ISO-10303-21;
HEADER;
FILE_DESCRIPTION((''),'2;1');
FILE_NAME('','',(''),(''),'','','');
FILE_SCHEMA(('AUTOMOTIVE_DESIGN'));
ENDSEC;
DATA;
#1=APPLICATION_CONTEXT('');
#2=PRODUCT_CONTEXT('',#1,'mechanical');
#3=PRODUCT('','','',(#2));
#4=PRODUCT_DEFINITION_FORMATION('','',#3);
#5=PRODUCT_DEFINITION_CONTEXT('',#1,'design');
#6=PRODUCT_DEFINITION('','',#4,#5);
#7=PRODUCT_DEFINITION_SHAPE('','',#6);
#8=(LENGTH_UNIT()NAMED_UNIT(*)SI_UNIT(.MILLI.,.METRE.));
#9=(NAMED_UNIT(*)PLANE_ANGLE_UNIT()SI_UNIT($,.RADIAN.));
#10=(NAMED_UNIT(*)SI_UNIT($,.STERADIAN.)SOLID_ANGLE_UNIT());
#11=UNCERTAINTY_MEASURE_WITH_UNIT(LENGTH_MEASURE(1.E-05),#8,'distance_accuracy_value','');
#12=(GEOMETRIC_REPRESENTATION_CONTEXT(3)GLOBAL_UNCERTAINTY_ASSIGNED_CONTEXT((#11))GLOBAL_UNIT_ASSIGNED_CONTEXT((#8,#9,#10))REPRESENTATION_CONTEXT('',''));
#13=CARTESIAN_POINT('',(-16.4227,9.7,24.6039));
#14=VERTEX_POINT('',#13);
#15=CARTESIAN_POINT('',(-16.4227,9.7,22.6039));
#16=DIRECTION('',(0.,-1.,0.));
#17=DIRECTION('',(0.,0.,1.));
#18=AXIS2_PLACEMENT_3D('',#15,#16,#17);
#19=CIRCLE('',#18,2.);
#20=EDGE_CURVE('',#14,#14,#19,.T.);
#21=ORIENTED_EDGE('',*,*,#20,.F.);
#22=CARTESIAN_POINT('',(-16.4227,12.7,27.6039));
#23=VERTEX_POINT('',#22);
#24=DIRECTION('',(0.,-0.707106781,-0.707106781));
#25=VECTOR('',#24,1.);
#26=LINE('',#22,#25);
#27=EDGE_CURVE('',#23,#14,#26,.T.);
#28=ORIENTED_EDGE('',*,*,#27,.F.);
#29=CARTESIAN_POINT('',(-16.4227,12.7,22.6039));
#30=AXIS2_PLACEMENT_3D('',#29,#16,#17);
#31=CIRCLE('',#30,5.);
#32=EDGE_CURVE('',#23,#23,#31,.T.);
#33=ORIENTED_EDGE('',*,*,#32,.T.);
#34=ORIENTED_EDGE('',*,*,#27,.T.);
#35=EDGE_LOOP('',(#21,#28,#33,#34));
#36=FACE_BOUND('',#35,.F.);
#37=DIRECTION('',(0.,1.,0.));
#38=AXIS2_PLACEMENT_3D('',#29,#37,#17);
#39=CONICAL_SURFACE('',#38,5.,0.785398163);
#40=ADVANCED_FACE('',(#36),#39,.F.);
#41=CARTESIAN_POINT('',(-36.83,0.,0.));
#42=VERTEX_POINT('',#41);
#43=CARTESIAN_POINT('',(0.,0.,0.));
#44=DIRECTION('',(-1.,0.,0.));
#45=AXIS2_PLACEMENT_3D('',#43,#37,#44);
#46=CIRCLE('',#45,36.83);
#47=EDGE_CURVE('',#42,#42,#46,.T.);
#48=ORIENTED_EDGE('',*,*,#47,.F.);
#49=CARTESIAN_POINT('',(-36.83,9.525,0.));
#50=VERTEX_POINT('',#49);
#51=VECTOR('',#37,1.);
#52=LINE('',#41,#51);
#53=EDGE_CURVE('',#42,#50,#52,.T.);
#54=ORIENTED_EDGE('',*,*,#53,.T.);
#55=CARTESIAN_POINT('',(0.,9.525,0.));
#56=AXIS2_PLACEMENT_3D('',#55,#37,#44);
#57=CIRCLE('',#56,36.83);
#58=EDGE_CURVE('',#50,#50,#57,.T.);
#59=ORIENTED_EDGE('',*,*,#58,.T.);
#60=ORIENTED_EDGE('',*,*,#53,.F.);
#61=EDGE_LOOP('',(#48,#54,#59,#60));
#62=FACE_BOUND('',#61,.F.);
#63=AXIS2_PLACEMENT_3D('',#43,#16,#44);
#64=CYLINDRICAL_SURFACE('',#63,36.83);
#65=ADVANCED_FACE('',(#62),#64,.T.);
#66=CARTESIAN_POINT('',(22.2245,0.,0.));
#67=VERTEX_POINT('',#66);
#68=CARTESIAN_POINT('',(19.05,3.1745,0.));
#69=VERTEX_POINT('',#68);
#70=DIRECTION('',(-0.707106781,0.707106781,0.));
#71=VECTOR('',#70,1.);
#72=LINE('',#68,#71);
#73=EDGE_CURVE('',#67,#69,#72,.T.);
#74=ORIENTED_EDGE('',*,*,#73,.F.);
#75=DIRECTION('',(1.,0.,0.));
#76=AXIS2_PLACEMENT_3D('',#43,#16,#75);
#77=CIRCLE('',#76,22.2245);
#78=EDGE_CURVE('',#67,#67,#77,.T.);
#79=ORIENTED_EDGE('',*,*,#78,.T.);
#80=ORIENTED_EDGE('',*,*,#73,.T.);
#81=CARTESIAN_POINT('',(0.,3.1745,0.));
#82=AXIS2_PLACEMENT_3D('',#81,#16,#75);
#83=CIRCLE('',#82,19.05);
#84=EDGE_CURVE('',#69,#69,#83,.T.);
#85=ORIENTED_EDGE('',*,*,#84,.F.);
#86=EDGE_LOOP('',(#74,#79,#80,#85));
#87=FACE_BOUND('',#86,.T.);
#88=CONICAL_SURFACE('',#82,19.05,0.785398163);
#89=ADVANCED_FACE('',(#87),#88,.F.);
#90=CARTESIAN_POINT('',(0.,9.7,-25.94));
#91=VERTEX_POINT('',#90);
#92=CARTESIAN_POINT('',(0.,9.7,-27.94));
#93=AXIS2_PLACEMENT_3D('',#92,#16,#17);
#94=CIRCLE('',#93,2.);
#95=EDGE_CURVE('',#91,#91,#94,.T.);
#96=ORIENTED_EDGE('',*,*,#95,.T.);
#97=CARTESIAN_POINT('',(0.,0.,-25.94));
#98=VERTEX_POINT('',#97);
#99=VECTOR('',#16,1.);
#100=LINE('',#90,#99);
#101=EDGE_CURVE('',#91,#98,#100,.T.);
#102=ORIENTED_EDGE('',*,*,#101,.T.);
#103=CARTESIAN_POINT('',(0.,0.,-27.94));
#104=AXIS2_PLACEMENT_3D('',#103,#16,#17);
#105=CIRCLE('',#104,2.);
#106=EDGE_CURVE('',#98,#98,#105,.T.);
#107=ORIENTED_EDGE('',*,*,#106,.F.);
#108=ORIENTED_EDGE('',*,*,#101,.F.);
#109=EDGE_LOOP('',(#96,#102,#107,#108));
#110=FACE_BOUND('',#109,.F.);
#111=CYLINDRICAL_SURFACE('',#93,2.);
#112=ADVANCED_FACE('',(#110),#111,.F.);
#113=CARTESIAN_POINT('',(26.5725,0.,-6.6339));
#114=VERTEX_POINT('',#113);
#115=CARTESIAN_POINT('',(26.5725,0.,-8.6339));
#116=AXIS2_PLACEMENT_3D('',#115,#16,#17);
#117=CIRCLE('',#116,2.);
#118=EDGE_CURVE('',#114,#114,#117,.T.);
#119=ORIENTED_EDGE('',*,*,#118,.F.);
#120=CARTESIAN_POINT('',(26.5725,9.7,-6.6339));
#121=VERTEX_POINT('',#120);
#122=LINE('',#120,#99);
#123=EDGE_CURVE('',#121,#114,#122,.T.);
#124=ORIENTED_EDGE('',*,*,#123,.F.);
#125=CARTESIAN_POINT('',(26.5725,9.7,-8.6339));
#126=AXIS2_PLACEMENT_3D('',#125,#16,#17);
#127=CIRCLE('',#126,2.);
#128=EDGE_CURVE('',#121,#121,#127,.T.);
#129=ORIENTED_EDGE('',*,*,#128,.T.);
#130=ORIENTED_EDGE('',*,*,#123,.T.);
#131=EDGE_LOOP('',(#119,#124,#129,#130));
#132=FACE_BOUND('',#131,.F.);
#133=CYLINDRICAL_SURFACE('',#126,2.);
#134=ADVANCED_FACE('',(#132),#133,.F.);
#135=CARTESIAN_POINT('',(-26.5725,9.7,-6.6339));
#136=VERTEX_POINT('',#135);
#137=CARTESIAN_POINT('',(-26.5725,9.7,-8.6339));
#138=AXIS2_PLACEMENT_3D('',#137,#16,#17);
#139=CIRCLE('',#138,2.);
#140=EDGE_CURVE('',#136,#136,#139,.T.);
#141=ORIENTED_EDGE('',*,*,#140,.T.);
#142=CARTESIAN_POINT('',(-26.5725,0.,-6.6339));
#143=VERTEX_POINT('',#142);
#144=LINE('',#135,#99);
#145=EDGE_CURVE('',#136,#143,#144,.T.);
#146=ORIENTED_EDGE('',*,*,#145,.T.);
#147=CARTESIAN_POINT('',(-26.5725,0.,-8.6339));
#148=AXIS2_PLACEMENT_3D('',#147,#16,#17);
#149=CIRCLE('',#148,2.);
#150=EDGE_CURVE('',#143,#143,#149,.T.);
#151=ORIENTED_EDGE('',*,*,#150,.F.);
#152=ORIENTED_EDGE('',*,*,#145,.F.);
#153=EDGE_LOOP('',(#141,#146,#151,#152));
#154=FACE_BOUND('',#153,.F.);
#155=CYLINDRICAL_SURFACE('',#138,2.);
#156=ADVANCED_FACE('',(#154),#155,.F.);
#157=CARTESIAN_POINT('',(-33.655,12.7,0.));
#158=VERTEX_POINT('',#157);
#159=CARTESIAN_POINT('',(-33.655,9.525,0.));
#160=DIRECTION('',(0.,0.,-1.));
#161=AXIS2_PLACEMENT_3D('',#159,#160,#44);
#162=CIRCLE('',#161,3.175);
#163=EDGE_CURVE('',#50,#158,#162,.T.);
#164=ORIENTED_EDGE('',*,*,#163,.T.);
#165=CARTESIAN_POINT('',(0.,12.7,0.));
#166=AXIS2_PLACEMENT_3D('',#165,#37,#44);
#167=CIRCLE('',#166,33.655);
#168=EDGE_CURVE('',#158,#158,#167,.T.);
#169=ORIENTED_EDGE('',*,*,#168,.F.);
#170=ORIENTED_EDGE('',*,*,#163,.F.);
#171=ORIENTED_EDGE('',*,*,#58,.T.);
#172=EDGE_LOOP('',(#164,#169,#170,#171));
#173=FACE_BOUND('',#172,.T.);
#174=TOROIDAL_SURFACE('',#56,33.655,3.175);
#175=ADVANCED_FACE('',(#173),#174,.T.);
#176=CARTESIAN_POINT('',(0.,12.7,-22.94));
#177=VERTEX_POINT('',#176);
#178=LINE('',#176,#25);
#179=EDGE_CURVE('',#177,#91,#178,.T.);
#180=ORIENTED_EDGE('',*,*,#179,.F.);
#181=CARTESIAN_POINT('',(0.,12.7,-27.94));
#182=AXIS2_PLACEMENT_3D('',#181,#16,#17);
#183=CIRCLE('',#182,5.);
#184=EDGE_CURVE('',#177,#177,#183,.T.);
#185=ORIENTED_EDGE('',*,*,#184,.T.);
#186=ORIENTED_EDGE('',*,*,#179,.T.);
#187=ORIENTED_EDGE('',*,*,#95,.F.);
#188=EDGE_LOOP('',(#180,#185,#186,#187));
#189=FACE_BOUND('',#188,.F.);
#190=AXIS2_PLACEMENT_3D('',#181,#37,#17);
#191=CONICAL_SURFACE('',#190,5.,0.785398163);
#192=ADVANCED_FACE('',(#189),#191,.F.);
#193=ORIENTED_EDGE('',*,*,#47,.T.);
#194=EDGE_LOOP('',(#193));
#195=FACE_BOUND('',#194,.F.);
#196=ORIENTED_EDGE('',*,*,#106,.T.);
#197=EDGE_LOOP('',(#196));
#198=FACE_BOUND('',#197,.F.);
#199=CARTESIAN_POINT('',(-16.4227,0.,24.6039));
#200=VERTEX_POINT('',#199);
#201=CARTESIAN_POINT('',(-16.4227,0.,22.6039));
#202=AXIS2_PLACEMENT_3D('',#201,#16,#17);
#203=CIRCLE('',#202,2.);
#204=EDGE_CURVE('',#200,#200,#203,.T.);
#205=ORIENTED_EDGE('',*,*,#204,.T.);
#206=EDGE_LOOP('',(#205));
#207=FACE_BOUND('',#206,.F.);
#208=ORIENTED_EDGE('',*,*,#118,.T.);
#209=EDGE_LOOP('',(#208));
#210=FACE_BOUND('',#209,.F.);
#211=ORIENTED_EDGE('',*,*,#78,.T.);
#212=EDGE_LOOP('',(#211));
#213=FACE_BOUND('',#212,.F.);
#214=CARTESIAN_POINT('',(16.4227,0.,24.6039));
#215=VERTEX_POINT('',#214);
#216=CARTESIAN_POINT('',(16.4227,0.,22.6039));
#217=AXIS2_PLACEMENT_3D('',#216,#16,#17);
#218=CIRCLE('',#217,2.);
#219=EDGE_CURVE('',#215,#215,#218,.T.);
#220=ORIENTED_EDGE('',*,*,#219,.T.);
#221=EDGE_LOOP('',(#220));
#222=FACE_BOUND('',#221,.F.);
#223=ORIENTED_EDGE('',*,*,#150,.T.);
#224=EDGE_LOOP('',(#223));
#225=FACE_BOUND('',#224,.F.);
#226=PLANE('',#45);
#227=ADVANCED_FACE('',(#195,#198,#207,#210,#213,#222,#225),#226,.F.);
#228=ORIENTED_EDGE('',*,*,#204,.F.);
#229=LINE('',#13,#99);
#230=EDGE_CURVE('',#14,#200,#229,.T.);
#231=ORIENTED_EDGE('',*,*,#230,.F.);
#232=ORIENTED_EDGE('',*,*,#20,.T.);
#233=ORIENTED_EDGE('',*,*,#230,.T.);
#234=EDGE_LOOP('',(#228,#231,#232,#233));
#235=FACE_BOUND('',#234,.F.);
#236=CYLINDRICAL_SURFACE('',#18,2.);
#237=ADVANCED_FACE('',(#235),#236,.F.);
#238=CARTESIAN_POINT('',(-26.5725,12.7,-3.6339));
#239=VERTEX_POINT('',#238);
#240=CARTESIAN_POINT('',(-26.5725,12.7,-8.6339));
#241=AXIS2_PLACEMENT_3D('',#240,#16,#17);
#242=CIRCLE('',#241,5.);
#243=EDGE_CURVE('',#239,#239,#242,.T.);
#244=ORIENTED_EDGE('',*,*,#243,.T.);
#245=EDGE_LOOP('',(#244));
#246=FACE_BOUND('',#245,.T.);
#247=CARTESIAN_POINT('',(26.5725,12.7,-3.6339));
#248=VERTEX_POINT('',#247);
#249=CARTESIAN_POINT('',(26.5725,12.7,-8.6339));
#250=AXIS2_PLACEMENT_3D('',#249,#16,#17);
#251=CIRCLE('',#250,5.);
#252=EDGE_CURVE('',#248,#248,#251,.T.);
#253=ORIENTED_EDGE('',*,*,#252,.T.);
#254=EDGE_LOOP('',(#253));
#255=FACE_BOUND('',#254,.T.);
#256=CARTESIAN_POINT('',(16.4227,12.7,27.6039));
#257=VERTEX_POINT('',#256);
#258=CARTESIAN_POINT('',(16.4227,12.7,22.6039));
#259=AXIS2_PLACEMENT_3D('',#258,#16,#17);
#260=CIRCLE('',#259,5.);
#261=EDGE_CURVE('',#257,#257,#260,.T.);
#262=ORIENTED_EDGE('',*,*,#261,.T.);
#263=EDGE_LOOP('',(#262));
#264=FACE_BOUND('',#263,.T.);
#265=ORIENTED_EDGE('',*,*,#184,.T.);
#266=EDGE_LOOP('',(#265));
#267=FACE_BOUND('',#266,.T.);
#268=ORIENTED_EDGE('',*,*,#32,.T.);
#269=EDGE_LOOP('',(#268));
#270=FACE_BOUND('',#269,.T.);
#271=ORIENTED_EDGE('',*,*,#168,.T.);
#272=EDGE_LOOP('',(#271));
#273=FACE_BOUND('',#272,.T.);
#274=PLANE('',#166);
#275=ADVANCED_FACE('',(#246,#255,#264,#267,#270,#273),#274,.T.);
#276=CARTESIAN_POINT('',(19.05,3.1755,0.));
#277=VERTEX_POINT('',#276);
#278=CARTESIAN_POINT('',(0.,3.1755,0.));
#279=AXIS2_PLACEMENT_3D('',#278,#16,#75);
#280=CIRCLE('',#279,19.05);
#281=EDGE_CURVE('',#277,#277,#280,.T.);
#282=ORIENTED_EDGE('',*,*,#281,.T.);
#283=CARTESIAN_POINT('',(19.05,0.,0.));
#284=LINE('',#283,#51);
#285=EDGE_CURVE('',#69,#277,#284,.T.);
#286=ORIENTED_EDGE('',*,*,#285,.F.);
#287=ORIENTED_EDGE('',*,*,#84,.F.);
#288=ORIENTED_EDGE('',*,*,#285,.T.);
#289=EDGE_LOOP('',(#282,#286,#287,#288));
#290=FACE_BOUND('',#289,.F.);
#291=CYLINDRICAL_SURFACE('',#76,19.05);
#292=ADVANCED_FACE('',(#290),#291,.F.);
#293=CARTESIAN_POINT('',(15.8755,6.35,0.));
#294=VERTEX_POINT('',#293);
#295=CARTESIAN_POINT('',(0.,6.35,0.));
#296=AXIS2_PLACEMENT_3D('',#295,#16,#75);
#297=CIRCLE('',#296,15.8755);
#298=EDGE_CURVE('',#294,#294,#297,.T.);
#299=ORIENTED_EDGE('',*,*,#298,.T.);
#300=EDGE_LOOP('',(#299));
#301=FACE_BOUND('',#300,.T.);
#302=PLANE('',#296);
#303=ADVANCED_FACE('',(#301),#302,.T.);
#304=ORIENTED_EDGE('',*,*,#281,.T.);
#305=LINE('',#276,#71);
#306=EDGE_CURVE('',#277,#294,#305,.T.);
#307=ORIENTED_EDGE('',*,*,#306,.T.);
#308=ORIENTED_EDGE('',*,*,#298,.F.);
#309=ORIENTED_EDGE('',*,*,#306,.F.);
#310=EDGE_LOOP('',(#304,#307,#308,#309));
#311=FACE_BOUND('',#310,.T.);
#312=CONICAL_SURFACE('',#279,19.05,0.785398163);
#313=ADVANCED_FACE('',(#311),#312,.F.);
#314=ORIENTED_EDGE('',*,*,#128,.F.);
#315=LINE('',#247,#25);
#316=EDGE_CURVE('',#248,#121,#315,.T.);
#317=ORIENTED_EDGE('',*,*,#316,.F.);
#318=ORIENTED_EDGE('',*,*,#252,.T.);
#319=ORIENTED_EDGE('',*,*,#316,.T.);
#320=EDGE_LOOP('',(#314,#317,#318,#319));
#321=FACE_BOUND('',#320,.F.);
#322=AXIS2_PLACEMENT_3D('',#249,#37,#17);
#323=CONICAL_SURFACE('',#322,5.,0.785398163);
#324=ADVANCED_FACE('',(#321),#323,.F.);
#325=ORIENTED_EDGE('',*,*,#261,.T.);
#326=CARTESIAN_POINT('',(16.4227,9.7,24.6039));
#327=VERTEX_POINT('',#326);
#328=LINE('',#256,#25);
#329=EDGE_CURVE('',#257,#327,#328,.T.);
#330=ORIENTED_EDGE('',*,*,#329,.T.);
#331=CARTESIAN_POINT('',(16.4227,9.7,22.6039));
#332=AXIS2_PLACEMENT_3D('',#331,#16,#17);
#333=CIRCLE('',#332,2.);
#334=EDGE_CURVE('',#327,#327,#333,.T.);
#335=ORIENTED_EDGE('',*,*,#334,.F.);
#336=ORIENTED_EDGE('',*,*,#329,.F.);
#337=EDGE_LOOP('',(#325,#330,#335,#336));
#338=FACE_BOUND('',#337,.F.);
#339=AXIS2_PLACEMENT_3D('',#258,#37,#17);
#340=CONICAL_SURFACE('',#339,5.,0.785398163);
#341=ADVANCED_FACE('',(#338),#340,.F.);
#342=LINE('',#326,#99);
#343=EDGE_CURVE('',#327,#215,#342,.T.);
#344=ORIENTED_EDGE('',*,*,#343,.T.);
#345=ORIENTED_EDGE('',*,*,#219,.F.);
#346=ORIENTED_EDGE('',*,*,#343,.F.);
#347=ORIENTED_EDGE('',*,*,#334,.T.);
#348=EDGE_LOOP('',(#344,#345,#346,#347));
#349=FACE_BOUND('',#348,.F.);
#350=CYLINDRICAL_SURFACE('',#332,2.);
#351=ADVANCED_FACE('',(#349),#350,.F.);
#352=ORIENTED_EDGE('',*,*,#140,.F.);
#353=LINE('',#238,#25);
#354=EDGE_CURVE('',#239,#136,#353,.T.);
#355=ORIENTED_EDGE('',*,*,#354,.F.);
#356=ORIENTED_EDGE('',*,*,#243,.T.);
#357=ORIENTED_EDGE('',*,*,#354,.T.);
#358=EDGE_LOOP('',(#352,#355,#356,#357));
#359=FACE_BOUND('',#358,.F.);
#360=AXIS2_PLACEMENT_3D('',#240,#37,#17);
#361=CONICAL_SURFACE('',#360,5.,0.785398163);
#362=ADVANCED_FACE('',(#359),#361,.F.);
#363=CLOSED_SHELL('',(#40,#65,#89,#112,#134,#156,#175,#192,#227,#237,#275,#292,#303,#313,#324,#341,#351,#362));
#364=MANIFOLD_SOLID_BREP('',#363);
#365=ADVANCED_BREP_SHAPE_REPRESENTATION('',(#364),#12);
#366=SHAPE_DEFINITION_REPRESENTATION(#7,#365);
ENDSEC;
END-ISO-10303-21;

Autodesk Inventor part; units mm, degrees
ref_plane "YZ Plane" through (0, 0, 0) normal (1, 0, 0) x (0, 1, 0)
ref_plane "XZ Plane" through (0, 0, 0) normal (0, 1, 0) x (-1, 0, 0)
ref_plane "XY Plane" through (0, 0, 0) normal (0, 0, 1) x (1, 0, 0)
sketch "Sketch1" plane through (0, 0, 0) normal (0, 1, 0) x (-1, 0, 0)
  circle A0 centre (0, 0) radius 36.83
  dimension "d0" = 73.66
extrude "Extrusion1" add sketch "Sketch1" along normal blind 12.7
fillet "Fillet1" radius 3.175 1 edges at (36.83, 12.7, 0)
sketch "Sketch3" plane through (0, 0, 0) normal (0, -1, 0) x (1, 0, 0)
  circle A0 centre (0, 0) radius 19.05
  dimension "d12" = 38.1
extrude "Extrusion3" cut sketch "Sketch3" against normal blind 6.35
chamfer "Chamfer1" distance 3.175 angle 45 2 edges at (-19.05, 0, 0) (-19.05, 6.35, 0)
sketch "Sketch5" plane through (0, 12.7, 0) normal (0, 1, 0) x (1, 0, 0)
  line L0 (0, 0) -> (0, 27.94)
  point P0 (-26.5725, 8.6339)
  point P1 (-26.5725, 8.6339)
  point P2 (-16.4227, -22.6039)
  point P3 (-16.4227, -22.6039)
  point P4 (16.4227, -22.6039)
  point P5 (16.4227, -22.6039)
  point P6 (26.5725, 8.6339)
  point P7 (26.5725, 8.6339)
  dimension "d18" = 27.94
  dimension "d21" = 360
hole "Hole1" at (0, 12.7, -27.94) at (-26.5725, 12.7, -8.6339) at (-16.4227, 12.7, 22.6039) at (16.4227, 12.7, 22.6039) at (26.5725, 12.7, -8.6339) direction (0, -1, 0) diameter 4 end through all countersink diameter 10 countersink angle 90
properties part number "bearingplate"
